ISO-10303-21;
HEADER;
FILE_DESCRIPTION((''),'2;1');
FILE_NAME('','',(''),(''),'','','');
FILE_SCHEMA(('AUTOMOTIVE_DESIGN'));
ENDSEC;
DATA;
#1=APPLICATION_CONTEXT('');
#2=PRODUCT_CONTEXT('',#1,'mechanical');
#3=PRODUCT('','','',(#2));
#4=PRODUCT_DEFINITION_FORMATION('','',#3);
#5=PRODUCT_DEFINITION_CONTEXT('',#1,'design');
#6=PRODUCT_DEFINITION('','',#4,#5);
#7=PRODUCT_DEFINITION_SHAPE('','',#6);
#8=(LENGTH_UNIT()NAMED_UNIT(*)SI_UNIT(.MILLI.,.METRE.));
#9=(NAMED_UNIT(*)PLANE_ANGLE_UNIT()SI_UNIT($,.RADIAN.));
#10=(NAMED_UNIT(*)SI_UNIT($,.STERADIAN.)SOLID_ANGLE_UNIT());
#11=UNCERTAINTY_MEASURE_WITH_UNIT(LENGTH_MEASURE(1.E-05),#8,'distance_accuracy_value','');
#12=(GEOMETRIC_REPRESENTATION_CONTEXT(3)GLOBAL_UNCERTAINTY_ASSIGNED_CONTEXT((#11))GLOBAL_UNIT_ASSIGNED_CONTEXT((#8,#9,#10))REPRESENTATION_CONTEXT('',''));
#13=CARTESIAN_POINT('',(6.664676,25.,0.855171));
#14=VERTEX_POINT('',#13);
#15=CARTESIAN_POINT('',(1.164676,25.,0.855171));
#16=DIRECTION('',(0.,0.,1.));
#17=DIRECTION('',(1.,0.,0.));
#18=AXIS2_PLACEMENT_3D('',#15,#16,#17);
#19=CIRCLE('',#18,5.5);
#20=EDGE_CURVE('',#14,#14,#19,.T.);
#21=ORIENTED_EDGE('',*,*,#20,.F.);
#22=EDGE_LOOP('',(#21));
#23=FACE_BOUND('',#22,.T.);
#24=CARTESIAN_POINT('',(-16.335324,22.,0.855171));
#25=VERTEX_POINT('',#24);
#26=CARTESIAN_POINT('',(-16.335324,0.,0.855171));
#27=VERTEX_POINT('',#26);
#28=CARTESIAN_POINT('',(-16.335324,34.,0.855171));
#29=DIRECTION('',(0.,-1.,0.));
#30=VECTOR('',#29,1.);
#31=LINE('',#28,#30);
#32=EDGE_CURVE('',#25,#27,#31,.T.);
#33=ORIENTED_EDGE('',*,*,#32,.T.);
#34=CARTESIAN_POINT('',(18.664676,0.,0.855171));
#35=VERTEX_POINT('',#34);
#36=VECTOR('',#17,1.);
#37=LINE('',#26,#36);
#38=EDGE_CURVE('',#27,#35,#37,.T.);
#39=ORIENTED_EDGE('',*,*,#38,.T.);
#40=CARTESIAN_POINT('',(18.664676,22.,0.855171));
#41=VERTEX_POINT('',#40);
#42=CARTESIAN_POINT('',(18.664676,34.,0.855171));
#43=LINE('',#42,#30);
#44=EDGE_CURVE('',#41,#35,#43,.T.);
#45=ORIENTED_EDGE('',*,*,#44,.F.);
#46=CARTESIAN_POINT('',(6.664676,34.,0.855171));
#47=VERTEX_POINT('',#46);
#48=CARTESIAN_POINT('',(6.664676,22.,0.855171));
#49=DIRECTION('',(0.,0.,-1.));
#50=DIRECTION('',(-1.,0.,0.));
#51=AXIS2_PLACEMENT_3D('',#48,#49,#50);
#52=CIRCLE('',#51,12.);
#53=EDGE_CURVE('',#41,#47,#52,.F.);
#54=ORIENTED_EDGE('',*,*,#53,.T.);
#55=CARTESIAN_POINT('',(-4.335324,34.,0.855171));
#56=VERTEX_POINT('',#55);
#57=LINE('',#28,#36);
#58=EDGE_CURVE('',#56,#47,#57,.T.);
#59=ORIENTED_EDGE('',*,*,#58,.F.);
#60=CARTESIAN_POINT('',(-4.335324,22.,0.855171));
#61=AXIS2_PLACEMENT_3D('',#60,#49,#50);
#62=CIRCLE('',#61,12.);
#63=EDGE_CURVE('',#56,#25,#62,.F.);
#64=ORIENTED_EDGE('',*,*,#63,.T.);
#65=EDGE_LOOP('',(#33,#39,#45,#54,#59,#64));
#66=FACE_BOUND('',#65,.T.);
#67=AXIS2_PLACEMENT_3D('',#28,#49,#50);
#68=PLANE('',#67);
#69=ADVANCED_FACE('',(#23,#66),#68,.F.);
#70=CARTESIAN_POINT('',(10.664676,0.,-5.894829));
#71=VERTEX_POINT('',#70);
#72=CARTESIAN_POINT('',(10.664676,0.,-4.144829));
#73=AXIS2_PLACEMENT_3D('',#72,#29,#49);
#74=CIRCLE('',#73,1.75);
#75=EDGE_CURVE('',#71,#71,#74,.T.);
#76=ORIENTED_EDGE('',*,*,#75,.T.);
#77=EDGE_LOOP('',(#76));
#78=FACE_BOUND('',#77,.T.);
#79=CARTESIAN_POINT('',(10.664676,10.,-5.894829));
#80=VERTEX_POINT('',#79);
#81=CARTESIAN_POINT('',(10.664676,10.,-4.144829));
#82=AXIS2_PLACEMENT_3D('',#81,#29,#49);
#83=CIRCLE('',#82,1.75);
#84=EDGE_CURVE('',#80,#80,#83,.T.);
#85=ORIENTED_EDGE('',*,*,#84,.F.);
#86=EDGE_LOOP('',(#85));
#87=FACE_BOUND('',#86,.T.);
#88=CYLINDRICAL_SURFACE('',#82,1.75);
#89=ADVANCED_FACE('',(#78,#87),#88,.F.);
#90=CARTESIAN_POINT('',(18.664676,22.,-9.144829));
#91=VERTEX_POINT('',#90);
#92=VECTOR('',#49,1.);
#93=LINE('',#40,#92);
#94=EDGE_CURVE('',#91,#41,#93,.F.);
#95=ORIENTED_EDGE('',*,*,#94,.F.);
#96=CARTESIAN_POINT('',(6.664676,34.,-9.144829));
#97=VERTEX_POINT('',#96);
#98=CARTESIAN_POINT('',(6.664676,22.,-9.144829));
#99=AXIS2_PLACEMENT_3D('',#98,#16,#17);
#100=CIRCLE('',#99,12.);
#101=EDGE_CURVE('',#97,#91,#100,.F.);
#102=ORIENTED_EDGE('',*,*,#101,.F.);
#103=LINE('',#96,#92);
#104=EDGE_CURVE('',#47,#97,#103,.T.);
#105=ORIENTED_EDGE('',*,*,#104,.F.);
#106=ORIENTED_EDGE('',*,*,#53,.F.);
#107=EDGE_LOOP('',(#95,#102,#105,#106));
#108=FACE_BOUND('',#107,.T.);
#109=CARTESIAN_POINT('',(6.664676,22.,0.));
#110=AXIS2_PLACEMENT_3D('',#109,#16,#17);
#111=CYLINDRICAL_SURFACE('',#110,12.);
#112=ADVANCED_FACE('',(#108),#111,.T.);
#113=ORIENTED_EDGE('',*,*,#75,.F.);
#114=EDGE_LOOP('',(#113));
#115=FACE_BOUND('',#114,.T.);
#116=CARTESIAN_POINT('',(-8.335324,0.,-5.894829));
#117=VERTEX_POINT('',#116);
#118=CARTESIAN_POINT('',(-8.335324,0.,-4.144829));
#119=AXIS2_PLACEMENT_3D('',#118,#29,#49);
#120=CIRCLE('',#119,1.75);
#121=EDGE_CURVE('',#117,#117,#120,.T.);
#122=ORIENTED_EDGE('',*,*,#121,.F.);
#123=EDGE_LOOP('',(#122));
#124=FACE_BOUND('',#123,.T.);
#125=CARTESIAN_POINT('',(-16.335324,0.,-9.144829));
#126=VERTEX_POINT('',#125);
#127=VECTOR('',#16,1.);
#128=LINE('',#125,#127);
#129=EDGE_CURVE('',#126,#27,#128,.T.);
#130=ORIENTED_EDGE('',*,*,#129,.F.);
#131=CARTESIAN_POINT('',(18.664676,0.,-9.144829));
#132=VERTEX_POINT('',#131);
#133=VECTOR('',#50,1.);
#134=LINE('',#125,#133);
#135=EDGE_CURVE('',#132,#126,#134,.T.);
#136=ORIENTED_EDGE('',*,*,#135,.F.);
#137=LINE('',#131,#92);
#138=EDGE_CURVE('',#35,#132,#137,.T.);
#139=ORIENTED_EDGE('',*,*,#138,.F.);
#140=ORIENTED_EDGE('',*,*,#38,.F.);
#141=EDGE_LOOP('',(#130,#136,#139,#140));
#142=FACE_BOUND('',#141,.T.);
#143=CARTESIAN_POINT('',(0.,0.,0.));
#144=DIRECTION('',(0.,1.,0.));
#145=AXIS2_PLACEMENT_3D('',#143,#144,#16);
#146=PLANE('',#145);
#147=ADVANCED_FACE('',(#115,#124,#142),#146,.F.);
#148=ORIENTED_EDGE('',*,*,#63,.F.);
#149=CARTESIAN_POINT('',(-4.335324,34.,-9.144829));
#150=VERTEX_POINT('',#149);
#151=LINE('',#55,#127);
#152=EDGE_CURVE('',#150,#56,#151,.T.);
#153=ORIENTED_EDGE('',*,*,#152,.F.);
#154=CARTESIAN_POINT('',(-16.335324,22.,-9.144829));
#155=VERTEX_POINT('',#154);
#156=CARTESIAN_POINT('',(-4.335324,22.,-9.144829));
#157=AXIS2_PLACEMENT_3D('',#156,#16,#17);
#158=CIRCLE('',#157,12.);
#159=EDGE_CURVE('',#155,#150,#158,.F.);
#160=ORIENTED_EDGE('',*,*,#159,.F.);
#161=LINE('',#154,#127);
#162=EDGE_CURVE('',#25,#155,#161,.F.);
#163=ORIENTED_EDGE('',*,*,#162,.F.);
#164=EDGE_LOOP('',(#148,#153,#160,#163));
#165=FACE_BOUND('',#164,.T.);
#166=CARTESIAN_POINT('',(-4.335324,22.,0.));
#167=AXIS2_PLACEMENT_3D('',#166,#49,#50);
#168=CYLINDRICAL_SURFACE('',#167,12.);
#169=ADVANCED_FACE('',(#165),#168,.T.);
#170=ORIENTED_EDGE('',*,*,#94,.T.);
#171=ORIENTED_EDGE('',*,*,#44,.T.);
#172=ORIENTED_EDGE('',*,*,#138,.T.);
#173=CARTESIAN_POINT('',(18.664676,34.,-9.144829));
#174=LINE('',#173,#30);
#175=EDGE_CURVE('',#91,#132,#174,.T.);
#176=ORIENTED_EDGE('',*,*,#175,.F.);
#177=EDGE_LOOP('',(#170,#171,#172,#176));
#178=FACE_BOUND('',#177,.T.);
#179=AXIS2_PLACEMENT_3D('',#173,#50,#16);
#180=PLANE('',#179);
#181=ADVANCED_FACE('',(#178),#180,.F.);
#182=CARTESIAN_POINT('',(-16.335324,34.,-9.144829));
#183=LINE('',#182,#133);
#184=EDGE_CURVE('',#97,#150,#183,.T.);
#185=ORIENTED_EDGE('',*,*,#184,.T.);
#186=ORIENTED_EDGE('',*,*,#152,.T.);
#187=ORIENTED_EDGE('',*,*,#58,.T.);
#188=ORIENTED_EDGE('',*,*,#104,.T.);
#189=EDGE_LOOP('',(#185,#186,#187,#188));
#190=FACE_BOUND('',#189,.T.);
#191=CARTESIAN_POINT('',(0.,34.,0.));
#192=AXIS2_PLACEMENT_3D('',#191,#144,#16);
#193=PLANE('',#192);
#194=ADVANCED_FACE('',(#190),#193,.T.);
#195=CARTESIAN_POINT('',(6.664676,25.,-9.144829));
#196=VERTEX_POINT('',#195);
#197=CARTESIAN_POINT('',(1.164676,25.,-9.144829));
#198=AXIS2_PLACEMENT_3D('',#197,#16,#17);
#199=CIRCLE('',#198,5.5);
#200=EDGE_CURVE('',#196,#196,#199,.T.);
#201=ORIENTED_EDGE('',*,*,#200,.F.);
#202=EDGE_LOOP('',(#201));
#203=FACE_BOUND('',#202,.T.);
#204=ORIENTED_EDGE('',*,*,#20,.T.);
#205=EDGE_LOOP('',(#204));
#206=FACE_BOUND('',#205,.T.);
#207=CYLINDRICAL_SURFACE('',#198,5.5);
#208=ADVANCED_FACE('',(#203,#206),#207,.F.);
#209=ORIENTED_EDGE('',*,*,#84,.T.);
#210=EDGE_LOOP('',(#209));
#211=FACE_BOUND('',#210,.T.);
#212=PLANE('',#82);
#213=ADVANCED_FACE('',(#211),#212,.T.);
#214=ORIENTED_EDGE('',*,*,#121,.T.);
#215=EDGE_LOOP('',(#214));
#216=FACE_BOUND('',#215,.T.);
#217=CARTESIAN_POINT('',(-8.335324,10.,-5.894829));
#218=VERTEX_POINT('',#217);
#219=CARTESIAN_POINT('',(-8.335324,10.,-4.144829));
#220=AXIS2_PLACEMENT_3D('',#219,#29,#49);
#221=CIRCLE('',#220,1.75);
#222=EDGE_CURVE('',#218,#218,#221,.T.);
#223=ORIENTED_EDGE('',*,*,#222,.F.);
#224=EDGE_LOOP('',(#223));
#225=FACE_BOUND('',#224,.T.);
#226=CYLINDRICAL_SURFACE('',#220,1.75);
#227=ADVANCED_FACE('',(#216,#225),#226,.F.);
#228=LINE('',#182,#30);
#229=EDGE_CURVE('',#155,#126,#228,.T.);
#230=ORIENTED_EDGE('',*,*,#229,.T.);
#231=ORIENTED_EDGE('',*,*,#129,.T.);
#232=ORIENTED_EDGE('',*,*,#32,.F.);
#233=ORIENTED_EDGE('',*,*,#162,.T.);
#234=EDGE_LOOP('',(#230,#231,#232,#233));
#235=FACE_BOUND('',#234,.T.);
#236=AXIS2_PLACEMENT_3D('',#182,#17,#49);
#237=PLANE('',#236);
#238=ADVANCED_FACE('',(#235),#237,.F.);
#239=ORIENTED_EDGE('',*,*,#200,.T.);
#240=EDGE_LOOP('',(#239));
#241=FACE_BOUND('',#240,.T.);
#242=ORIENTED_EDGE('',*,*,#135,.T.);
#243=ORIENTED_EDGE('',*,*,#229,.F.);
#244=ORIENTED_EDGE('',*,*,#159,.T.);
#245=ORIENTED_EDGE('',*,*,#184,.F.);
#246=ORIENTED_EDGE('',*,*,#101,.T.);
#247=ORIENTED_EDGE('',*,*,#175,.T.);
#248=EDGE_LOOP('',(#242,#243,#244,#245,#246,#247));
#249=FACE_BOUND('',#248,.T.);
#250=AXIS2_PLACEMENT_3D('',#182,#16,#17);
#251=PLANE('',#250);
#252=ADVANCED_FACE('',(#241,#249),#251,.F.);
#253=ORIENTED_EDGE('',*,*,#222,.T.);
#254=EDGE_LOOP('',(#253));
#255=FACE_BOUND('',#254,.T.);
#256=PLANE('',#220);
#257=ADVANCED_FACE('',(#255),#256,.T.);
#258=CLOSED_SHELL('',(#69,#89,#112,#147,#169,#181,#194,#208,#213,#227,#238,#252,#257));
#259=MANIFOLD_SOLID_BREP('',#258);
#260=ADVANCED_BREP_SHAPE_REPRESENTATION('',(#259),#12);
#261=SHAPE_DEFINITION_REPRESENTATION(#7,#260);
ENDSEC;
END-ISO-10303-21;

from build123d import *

# Parameters (mm, degrees)
SKETCH1_W           = 35
SKETCH1_H           = 10
BOSS_EXTRUDE1_DEPTH = 34
SKETCH2_R           = 5.5
CUT_EXTRUDE1_DEPTH  = 11
SKETCH3_R           = 1.75
CUT_EXTRUDE2_DEPTH  = 10
FILLET1_R           = 12


with BuildPart() as part:
    # Sketch1 → Boss-Extrude1 (new body)
    with BuildSketch(Plane(origin=(0, 0, 0), x_dir=(1, 0, 0), z_dir=(0, 1, 0))):
        with Locations((1.164675851, 4.144829176)):
            Rectangle(SKETCH1_W, SKETCH1_H)
    extrude(amount=BOSS_EXTRUDE1_DEPTH)

    # Sketch2 → Cut-Extrude1 (cut, through all)
    with BuildSketch(Plane.XY.offset(0.855170824)):
        with Locations((1.164675851, 25)):
            Circle(SKETCH2_R)
    extrude(amount=-CUT_EXTRUDE1_DEPTH, mode=Mode.SUBTRACT)

    # Sketch3 → Cut-Extrude2 (cut)
    with BuildSketch(Plane.XZ):
        with Locations((-8.335324149, -4.144829176)):
            Circle(SKETCH3_R)
        with Locations((10.664675851, -4.144829176)):
            Circle(SKETCH3_R)
    extrude(amount=-CUT_EXTRUDE2_DEPTH, mode=Mode.SUBTRACT)

    # Fillet1
    fillet1_edges = [part.edges().sort_by_distance(p)[0] for p in [
        (18.664675851, 34, -4.144829176),
        (-16.335324149, 34, -4.144829176),
    ]]
    fillet(fillet1_edges, radius=FILLET1_R)


solid = part.part
